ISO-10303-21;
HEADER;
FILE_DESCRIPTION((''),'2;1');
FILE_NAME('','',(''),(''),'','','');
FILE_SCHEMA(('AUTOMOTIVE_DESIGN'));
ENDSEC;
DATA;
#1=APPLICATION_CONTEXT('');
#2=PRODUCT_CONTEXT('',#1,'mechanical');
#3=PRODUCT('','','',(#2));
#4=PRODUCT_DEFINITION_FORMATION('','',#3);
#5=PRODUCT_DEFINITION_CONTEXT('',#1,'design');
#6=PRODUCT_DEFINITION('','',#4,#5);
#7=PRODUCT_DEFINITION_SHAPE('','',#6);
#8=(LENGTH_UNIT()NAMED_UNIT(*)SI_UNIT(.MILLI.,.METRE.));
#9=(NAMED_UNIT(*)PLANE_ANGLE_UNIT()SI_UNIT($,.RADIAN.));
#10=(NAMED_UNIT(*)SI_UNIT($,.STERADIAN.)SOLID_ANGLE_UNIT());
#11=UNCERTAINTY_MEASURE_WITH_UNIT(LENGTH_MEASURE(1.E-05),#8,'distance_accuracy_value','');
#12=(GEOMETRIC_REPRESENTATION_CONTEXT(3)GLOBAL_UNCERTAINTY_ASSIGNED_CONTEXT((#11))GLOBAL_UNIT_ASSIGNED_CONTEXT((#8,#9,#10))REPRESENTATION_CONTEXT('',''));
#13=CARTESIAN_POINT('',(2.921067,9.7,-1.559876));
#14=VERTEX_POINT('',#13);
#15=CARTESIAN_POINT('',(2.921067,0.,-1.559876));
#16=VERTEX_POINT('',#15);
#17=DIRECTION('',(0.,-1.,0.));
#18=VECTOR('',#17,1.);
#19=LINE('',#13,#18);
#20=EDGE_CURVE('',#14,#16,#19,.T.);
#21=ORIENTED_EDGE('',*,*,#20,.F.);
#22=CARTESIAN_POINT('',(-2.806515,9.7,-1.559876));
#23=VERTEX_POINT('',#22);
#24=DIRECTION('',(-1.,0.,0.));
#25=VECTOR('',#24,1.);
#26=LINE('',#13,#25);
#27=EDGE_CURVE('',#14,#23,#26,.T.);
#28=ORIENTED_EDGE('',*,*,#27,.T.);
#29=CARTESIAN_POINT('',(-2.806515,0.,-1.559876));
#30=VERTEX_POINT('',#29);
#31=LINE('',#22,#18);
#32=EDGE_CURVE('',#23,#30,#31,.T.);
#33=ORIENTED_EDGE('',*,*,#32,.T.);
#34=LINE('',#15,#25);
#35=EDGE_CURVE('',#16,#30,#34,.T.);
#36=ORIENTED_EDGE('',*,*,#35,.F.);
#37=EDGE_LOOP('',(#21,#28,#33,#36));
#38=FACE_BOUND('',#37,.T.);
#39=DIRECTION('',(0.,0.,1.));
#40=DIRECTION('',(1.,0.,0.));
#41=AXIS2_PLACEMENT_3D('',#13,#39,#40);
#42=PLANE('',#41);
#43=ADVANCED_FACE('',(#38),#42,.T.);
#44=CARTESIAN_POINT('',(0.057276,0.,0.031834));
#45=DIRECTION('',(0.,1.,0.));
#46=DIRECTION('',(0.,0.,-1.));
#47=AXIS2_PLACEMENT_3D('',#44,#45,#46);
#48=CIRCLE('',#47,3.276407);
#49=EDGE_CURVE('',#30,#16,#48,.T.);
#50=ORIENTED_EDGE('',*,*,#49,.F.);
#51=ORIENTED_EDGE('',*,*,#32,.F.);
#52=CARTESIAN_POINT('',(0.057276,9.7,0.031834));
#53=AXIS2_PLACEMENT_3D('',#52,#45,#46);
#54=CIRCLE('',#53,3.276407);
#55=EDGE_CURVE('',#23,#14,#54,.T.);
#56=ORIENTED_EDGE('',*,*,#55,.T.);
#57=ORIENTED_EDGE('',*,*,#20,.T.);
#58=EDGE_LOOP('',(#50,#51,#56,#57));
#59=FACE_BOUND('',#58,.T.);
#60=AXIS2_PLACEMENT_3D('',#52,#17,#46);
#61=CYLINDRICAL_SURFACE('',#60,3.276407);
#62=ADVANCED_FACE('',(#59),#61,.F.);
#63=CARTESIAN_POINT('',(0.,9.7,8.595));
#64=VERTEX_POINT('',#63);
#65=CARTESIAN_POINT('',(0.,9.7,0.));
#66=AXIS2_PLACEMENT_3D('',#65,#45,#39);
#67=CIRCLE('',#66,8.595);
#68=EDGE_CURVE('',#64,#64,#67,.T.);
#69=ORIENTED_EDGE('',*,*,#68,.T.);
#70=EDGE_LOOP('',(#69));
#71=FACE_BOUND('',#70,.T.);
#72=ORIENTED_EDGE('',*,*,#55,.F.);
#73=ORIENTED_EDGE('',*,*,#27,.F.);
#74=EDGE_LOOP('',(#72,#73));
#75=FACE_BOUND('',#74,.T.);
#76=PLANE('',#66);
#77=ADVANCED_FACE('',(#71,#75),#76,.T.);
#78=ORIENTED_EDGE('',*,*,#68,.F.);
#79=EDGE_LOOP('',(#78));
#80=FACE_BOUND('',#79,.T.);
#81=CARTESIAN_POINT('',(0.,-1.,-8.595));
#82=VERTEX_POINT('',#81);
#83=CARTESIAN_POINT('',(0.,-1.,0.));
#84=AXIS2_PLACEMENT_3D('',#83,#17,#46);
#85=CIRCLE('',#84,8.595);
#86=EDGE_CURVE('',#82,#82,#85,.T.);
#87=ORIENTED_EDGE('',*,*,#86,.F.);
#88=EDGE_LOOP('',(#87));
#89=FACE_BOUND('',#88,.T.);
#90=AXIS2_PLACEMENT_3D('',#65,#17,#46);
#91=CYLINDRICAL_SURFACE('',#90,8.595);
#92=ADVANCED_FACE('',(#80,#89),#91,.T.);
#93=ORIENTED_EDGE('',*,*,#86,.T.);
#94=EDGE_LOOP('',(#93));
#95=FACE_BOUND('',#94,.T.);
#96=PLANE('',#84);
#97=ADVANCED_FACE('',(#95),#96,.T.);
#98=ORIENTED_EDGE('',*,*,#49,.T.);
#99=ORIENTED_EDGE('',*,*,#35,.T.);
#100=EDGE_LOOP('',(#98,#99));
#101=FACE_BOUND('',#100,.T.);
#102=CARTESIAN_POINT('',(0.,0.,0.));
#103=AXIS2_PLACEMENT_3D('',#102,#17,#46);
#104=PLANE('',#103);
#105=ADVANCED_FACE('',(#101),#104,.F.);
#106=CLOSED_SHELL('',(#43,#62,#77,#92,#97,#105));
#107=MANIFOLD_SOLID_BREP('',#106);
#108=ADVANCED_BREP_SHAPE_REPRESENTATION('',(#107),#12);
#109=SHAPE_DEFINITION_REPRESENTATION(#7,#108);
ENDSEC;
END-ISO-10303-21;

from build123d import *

# Parameters (mm, degrees)
SKETCH1_R           = 8.595
BOSS_EXTRUDE1_DEPTH = 9.7
BOSS_EXTRUDE3_START = 1
SKETCH2_R           = 8.595
BOSS_EXTRUDE3_DEPTH = 1


with BuildPart() as part:
    # Sketch1 → Boss-Extrude1 (new body)
    with BuildSketch(Plane(origin=(0, 0, 0), x_dir=(1, 0, 0), z_dir=(0, 1, 0))):
        with Locations(Location((0, 0, 0), (0, 0, 270))):
            Circle(SKETCH1_R)
        with BuildLine():
            Line((2.921067116, 1.559875967), (-2.806515464, 1.559875967))
            ThreePointArc((-2.806515464, 1.559875967), (0.057275826, -3.308241049), (2.921067116, 1.559875967))
        make_face(mode=Mode.SUBTRACT)
    extrude(amount=BOSS_EXTRUDE1_DEPTH)

    # Sketch2 → Boss-Extrude3 (add)
    with BuildSketch(Plane.XZ.offset(BOSS_EXTRUDE3_START)):
        with Locations(Location((0, 0, 0), (0, 0, 270))):
            Circle(SKETCH2_R)
    extrude(amount=-BOSS_EXTRUDE3_DEPTH)


solid = part.part
